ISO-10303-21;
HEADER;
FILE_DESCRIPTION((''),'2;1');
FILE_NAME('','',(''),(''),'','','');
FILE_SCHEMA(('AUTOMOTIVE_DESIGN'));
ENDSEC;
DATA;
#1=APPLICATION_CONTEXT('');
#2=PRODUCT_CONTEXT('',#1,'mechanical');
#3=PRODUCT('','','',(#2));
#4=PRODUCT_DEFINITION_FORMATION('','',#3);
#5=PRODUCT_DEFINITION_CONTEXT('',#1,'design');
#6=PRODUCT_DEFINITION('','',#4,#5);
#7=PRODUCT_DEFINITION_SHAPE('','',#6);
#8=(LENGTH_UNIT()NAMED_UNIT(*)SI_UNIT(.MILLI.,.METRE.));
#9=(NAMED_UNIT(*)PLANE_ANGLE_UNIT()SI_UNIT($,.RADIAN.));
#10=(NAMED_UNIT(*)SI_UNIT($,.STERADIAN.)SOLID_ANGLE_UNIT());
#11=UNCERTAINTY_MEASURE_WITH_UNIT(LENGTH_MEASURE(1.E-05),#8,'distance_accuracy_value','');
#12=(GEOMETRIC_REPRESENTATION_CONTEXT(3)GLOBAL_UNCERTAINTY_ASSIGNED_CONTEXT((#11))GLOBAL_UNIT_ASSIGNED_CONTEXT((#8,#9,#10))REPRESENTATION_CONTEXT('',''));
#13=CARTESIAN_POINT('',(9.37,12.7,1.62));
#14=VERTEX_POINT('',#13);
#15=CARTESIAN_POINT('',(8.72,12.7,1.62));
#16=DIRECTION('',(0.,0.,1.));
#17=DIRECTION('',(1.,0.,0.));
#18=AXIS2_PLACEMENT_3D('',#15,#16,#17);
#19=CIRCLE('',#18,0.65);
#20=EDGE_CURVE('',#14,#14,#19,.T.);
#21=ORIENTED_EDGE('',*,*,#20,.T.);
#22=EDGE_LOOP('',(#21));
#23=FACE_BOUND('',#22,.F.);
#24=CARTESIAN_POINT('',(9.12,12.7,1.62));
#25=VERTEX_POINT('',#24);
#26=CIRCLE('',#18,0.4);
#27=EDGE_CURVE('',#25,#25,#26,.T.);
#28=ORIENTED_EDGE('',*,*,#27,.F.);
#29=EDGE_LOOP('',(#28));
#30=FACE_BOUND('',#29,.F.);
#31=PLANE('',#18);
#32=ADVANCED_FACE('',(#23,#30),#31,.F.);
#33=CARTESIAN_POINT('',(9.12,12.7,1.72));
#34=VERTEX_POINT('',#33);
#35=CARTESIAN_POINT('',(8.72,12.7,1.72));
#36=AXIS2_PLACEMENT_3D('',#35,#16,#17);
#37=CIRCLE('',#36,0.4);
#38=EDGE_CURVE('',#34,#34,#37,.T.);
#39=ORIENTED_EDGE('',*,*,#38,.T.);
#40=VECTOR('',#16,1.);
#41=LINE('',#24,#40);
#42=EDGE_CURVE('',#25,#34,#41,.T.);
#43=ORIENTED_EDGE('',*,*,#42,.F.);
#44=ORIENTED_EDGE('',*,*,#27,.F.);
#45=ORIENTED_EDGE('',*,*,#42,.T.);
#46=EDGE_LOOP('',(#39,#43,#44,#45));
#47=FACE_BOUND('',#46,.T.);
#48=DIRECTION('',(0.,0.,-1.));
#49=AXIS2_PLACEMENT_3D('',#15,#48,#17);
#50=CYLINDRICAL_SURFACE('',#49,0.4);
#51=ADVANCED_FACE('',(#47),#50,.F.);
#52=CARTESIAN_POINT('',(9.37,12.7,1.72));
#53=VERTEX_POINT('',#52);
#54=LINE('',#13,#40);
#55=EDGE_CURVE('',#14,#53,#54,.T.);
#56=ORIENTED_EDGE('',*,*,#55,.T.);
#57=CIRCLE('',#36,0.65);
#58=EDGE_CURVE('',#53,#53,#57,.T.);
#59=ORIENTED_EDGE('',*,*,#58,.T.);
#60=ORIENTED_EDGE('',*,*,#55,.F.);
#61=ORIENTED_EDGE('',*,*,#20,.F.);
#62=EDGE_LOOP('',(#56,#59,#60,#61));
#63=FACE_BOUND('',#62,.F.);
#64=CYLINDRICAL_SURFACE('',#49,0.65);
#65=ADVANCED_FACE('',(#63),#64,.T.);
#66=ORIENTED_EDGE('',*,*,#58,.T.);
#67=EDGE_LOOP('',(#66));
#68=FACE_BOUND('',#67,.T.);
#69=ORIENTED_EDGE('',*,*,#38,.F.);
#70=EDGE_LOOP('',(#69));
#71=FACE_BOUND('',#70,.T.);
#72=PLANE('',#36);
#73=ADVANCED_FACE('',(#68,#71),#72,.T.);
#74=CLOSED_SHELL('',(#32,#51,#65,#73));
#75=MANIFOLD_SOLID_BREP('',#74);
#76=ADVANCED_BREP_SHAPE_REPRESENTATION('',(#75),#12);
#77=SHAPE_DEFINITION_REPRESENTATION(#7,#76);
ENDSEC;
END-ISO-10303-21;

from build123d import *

# Parameters (mm, degrees)
CYLINDER007_R     = 0.4
CYLINDER007_DEPTH = 0.1
CYLINDER006_R     = 0.65
CYLINDER006_DEPTH = 0.1


with BuildPart() as cylinder007:
    # Cylinder007 → Cylinder007 (new body)
    with BuildSketch(Plane.XY.offset(1.62)):
        Circle(CYLINDER007_R)
    extrude(amount=CYLINDER007_DEPTH)


with BuildPart() as cut008:
    # Cylinder006 → Cylinder006 (new body)
    with BuildSketch(Plane.XY.offset(1.62)):
        Circle(CYLINDER006_R)
    extrude(amount=CYLINDER006_DEPTH)

    # Cut008: cut Cylinder007
    add(cylinder007.part, mode=Mode.SUBTRACT)


with BuildPart() as cut008_1:
    # Cut008 placement: moved
    add(cut008.part.moved(Location((8.72, 12.7, 0))))


solid = cut008_1.part
